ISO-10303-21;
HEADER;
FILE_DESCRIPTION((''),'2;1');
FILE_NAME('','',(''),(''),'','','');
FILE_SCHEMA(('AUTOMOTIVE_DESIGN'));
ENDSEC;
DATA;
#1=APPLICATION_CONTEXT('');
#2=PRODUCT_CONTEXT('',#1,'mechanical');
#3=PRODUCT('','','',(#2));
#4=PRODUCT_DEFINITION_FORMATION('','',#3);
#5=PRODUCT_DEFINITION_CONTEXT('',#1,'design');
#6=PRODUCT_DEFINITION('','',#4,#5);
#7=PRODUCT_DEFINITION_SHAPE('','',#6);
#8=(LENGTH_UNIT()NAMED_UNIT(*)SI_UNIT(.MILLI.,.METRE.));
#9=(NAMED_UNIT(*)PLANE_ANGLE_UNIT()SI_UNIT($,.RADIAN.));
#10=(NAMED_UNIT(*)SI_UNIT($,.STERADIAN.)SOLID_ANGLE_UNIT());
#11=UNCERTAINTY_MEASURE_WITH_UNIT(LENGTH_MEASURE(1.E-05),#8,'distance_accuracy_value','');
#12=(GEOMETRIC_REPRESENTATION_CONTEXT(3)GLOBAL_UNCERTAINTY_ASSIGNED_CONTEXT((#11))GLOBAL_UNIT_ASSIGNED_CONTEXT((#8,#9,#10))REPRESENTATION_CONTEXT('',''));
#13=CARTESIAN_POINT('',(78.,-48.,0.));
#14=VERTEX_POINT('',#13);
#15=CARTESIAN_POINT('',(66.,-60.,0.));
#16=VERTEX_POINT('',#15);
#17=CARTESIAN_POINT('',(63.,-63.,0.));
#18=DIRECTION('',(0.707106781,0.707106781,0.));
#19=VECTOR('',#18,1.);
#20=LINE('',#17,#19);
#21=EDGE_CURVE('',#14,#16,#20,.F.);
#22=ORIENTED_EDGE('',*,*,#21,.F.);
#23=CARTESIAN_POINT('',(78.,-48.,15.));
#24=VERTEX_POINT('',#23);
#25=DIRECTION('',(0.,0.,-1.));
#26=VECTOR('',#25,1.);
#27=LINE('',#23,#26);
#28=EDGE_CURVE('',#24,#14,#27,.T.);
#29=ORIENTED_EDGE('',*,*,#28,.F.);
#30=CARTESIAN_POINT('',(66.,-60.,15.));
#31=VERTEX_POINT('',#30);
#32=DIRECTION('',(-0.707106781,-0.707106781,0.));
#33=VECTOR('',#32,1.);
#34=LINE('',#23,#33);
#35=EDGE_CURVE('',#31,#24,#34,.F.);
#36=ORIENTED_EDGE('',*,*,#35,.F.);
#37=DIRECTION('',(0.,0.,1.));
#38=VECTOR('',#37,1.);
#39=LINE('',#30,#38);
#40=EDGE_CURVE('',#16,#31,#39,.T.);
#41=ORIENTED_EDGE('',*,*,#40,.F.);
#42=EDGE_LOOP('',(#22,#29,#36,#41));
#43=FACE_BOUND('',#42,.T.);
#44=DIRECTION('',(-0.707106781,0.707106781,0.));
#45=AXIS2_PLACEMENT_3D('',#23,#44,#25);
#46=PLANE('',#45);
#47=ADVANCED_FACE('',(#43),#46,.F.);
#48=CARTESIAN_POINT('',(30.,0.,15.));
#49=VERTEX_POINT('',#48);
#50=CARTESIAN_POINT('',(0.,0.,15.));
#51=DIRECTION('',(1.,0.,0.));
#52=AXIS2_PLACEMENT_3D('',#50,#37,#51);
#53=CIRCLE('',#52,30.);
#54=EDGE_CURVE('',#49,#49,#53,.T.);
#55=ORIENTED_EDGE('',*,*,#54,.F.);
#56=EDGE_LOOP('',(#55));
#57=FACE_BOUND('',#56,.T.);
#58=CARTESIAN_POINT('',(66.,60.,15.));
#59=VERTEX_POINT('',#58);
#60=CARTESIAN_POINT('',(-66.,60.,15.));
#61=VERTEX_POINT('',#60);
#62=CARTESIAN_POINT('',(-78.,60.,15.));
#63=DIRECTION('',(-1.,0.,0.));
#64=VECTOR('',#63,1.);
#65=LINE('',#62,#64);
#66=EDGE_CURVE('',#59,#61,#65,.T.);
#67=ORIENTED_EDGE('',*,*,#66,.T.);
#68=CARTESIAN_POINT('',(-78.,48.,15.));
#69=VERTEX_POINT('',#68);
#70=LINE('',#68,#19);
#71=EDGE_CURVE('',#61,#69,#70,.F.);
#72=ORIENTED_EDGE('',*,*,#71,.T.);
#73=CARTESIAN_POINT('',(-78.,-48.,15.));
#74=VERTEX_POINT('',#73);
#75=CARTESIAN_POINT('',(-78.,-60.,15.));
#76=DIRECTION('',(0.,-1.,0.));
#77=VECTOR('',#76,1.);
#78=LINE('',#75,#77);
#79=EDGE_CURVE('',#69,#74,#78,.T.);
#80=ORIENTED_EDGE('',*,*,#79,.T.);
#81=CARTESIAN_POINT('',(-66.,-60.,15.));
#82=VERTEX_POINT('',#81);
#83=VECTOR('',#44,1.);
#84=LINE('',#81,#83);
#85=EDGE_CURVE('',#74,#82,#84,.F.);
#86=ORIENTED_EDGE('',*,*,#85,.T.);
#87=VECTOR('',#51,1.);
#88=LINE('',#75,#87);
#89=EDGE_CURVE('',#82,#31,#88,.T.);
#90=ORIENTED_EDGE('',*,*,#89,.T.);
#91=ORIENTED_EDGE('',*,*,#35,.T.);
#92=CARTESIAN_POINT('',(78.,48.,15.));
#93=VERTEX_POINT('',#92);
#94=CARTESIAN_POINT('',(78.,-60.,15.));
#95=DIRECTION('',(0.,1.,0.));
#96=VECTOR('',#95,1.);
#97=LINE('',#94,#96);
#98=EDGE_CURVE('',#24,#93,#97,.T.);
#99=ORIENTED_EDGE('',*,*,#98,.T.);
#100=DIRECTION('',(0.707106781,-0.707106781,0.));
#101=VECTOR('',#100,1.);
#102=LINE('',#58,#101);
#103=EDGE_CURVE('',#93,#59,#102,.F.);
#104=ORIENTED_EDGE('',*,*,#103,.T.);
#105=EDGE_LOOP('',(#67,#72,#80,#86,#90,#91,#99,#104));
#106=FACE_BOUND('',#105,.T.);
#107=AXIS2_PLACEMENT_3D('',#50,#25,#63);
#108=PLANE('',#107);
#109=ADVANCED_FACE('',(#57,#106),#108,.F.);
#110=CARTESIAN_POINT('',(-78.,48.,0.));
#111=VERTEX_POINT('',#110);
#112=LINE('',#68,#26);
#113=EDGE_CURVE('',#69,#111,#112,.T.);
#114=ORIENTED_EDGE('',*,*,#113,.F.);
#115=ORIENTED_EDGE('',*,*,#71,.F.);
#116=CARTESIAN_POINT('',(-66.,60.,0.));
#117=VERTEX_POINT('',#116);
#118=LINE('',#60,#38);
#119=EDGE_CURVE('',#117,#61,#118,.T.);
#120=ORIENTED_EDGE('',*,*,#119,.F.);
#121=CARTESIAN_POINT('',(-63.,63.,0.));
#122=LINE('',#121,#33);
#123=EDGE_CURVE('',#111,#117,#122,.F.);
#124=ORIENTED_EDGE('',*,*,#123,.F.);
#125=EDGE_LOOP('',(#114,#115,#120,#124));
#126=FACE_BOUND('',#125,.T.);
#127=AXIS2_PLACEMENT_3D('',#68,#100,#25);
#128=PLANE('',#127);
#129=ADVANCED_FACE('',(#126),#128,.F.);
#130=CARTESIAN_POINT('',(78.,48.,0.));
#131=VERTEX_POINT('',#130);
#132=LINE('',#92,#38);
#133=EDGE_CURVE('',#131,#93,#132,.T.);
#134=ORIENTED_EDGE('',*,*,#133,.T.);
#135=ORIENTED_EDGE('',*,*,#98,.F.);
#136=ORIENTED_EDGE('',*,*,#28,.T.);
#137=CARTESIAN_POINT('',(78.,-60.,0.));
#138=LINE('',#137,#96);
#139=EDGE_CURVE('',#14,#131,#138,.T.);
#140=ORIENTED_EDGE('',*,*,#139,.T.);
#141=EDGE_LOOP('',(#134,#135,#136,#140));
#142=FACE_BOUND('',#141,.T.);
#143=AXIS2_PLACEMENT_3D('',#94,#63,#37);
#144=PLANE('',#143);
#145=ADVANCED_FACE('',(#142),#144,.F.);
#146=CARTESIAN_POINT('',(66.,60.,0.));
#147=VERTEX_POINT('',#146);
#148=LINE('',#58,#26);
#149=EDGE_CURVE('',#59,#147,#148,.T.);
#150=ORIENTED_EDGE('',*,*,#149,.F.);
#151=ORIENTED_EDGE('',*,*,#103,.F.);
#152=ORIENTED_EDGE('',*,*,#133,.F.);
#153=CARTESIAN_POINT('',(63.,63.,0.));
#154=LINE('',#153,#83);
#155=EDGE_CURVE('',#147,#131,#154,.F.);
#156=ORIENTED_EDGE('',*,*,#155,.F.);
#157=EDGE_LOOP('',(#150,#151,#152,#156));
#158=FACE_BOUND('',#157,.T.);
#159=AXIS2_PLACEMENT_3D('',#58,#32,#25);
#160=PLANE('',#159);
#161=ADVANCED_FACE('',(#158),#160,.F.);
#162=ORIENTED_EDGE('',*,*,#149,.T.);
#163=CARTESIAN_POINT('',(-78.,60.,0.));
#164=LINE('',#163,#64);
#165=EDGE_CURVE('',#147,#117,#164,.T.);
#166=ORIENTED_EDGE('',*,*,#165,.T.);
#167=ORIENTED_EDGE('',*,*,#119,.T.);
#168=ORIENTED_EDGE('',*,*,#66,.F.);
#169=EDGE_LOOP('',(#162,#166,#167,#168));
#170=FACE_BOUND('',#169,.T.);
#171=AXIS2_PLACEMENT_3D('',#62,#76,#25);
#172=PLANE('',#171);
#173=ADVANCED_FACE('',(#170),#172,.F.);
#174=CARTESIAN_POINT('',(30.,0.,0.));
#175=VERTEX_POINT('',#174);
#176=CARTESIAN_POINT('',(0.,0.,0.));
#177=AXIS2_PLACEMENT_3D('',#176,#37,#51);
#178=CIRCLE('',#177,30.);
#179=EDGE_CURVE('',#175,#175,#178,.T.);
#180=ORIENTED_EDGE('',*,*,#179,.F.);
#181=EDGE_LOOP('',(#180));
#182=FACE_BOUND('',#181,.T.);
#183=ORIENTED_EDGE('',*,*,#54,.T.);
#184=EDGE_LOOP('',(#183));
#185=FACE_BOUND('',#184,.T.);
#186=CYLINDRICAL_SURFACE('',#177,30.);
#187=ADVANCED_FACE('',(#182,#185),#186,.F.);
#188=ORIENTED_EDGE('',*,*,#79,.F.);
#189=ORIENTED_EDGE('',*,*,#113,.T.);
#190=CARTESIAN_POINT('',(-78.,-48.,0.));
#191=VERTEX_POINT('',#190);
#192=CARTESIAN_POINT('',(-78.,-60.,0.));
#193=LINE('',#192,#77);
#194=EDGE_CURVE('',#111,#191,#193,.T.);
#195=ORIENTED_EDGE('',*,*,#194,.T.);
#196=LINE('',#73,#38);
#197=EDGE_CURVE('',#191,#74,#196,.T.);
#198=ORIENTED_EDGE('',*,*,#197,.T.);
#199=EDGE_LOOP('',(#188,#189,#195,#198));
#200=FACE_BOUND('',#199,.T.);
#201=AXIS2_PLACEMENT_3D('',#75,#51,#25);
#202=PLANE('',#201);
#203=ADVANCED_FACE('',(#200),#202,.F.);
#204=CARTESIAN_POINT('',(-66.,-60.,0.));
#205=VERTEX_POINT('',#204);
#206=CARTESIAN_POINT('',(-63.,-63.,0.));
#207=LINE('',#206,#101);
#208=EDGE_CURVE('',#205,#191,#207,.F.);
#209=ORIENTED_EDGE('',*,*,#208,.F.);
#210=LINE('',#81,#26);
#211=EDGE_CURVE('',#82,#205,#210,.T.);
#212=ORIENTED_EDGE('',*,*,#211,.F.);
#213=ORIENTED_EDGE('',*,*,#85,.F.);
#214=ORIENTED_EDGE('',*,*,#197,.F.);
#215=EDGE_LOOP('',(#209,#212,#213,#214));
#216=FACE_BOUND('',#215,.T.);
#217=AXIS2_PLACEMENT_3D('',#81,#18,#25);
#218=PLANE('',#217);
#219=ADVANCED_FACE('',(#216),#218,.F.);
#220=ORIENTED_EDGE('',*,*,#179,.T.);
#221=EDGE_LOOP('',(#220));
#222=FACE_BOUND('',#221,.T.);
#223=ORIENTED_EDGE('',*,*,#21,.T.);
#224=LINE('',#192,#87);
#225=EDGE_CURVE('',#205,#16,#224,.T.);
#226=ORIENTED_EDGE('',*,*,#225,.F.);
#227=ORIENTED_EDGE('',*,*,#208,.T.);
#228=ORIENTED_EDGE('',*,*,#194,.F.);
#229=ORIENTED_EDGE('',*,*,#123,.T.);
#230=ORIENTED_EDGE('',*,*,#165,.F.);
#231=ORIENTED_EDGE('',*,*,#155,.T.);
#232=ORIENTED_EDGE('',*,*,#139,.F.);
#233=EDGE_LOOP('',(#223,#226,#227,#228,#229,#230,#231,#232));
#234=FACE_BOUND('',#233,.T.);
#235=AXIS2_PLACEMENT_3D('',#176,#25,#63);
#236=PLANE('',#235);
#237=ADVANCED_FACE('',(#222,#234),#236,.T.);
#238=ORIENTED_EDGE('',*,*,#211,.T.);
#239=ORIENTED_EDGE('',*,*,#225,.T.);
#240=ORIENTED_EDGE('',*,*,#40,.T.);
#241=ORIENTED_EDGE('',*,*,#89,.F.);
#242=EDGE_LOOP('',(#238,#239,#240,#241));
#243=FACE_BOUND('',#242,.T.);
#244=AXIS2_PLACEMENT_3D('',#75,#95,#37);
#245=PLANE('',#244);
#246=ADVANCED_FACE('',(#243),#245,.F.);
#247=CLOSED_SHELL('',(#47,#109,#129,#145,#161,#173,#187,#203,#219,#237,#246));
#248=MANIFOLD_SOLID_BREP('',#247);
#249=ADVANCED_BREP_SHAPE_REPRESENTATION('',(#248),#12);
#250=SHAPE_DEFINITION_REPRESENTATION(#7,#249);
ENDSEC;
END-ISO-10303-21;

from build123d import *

# Parameters (mm, degrees)
SKETCH1_W           = 156
SKETCH1_H           = 120
BOSS_EXTRUDE1_DEPTH = 15
SKETCH2_R           = 30
CUT_EXTRUDE1_DEPTH  = 15
CHAMFER1_SIZE       = 12


with BuildPart() as part:
    # Sketch1 → Boss-Extrude1 (new body)
    with BuildSketch(Plane.XY):
        Rectangle(SKETCH1_W, SKETCH1_H)
    extrude(amount=BOSS_EXTRUDE1_DEPTH)

    # Sketch2 → Cut-Extrude1 (cut)
    with BuildSketch(Plane.XY.offset(15)):
        Circle(SKETCH2_R)
    extrude(amount=-CUT_EXTRUDE1_DEPTH, mode=Mode.SUBTRACT)

    # Chamfer1
    chamfer1_edges = [part.edges().sort_by_distance(p)[0] for p in [
        (78, -60, 7.5),
        (-78, -60, 7.5),
        (-78, 60, 7.5),
        (78, 60, 7.5),
    ]]
    chamfer(chamfer1_edges, length=CHAMFER1_SIZE)


solid = part.part
